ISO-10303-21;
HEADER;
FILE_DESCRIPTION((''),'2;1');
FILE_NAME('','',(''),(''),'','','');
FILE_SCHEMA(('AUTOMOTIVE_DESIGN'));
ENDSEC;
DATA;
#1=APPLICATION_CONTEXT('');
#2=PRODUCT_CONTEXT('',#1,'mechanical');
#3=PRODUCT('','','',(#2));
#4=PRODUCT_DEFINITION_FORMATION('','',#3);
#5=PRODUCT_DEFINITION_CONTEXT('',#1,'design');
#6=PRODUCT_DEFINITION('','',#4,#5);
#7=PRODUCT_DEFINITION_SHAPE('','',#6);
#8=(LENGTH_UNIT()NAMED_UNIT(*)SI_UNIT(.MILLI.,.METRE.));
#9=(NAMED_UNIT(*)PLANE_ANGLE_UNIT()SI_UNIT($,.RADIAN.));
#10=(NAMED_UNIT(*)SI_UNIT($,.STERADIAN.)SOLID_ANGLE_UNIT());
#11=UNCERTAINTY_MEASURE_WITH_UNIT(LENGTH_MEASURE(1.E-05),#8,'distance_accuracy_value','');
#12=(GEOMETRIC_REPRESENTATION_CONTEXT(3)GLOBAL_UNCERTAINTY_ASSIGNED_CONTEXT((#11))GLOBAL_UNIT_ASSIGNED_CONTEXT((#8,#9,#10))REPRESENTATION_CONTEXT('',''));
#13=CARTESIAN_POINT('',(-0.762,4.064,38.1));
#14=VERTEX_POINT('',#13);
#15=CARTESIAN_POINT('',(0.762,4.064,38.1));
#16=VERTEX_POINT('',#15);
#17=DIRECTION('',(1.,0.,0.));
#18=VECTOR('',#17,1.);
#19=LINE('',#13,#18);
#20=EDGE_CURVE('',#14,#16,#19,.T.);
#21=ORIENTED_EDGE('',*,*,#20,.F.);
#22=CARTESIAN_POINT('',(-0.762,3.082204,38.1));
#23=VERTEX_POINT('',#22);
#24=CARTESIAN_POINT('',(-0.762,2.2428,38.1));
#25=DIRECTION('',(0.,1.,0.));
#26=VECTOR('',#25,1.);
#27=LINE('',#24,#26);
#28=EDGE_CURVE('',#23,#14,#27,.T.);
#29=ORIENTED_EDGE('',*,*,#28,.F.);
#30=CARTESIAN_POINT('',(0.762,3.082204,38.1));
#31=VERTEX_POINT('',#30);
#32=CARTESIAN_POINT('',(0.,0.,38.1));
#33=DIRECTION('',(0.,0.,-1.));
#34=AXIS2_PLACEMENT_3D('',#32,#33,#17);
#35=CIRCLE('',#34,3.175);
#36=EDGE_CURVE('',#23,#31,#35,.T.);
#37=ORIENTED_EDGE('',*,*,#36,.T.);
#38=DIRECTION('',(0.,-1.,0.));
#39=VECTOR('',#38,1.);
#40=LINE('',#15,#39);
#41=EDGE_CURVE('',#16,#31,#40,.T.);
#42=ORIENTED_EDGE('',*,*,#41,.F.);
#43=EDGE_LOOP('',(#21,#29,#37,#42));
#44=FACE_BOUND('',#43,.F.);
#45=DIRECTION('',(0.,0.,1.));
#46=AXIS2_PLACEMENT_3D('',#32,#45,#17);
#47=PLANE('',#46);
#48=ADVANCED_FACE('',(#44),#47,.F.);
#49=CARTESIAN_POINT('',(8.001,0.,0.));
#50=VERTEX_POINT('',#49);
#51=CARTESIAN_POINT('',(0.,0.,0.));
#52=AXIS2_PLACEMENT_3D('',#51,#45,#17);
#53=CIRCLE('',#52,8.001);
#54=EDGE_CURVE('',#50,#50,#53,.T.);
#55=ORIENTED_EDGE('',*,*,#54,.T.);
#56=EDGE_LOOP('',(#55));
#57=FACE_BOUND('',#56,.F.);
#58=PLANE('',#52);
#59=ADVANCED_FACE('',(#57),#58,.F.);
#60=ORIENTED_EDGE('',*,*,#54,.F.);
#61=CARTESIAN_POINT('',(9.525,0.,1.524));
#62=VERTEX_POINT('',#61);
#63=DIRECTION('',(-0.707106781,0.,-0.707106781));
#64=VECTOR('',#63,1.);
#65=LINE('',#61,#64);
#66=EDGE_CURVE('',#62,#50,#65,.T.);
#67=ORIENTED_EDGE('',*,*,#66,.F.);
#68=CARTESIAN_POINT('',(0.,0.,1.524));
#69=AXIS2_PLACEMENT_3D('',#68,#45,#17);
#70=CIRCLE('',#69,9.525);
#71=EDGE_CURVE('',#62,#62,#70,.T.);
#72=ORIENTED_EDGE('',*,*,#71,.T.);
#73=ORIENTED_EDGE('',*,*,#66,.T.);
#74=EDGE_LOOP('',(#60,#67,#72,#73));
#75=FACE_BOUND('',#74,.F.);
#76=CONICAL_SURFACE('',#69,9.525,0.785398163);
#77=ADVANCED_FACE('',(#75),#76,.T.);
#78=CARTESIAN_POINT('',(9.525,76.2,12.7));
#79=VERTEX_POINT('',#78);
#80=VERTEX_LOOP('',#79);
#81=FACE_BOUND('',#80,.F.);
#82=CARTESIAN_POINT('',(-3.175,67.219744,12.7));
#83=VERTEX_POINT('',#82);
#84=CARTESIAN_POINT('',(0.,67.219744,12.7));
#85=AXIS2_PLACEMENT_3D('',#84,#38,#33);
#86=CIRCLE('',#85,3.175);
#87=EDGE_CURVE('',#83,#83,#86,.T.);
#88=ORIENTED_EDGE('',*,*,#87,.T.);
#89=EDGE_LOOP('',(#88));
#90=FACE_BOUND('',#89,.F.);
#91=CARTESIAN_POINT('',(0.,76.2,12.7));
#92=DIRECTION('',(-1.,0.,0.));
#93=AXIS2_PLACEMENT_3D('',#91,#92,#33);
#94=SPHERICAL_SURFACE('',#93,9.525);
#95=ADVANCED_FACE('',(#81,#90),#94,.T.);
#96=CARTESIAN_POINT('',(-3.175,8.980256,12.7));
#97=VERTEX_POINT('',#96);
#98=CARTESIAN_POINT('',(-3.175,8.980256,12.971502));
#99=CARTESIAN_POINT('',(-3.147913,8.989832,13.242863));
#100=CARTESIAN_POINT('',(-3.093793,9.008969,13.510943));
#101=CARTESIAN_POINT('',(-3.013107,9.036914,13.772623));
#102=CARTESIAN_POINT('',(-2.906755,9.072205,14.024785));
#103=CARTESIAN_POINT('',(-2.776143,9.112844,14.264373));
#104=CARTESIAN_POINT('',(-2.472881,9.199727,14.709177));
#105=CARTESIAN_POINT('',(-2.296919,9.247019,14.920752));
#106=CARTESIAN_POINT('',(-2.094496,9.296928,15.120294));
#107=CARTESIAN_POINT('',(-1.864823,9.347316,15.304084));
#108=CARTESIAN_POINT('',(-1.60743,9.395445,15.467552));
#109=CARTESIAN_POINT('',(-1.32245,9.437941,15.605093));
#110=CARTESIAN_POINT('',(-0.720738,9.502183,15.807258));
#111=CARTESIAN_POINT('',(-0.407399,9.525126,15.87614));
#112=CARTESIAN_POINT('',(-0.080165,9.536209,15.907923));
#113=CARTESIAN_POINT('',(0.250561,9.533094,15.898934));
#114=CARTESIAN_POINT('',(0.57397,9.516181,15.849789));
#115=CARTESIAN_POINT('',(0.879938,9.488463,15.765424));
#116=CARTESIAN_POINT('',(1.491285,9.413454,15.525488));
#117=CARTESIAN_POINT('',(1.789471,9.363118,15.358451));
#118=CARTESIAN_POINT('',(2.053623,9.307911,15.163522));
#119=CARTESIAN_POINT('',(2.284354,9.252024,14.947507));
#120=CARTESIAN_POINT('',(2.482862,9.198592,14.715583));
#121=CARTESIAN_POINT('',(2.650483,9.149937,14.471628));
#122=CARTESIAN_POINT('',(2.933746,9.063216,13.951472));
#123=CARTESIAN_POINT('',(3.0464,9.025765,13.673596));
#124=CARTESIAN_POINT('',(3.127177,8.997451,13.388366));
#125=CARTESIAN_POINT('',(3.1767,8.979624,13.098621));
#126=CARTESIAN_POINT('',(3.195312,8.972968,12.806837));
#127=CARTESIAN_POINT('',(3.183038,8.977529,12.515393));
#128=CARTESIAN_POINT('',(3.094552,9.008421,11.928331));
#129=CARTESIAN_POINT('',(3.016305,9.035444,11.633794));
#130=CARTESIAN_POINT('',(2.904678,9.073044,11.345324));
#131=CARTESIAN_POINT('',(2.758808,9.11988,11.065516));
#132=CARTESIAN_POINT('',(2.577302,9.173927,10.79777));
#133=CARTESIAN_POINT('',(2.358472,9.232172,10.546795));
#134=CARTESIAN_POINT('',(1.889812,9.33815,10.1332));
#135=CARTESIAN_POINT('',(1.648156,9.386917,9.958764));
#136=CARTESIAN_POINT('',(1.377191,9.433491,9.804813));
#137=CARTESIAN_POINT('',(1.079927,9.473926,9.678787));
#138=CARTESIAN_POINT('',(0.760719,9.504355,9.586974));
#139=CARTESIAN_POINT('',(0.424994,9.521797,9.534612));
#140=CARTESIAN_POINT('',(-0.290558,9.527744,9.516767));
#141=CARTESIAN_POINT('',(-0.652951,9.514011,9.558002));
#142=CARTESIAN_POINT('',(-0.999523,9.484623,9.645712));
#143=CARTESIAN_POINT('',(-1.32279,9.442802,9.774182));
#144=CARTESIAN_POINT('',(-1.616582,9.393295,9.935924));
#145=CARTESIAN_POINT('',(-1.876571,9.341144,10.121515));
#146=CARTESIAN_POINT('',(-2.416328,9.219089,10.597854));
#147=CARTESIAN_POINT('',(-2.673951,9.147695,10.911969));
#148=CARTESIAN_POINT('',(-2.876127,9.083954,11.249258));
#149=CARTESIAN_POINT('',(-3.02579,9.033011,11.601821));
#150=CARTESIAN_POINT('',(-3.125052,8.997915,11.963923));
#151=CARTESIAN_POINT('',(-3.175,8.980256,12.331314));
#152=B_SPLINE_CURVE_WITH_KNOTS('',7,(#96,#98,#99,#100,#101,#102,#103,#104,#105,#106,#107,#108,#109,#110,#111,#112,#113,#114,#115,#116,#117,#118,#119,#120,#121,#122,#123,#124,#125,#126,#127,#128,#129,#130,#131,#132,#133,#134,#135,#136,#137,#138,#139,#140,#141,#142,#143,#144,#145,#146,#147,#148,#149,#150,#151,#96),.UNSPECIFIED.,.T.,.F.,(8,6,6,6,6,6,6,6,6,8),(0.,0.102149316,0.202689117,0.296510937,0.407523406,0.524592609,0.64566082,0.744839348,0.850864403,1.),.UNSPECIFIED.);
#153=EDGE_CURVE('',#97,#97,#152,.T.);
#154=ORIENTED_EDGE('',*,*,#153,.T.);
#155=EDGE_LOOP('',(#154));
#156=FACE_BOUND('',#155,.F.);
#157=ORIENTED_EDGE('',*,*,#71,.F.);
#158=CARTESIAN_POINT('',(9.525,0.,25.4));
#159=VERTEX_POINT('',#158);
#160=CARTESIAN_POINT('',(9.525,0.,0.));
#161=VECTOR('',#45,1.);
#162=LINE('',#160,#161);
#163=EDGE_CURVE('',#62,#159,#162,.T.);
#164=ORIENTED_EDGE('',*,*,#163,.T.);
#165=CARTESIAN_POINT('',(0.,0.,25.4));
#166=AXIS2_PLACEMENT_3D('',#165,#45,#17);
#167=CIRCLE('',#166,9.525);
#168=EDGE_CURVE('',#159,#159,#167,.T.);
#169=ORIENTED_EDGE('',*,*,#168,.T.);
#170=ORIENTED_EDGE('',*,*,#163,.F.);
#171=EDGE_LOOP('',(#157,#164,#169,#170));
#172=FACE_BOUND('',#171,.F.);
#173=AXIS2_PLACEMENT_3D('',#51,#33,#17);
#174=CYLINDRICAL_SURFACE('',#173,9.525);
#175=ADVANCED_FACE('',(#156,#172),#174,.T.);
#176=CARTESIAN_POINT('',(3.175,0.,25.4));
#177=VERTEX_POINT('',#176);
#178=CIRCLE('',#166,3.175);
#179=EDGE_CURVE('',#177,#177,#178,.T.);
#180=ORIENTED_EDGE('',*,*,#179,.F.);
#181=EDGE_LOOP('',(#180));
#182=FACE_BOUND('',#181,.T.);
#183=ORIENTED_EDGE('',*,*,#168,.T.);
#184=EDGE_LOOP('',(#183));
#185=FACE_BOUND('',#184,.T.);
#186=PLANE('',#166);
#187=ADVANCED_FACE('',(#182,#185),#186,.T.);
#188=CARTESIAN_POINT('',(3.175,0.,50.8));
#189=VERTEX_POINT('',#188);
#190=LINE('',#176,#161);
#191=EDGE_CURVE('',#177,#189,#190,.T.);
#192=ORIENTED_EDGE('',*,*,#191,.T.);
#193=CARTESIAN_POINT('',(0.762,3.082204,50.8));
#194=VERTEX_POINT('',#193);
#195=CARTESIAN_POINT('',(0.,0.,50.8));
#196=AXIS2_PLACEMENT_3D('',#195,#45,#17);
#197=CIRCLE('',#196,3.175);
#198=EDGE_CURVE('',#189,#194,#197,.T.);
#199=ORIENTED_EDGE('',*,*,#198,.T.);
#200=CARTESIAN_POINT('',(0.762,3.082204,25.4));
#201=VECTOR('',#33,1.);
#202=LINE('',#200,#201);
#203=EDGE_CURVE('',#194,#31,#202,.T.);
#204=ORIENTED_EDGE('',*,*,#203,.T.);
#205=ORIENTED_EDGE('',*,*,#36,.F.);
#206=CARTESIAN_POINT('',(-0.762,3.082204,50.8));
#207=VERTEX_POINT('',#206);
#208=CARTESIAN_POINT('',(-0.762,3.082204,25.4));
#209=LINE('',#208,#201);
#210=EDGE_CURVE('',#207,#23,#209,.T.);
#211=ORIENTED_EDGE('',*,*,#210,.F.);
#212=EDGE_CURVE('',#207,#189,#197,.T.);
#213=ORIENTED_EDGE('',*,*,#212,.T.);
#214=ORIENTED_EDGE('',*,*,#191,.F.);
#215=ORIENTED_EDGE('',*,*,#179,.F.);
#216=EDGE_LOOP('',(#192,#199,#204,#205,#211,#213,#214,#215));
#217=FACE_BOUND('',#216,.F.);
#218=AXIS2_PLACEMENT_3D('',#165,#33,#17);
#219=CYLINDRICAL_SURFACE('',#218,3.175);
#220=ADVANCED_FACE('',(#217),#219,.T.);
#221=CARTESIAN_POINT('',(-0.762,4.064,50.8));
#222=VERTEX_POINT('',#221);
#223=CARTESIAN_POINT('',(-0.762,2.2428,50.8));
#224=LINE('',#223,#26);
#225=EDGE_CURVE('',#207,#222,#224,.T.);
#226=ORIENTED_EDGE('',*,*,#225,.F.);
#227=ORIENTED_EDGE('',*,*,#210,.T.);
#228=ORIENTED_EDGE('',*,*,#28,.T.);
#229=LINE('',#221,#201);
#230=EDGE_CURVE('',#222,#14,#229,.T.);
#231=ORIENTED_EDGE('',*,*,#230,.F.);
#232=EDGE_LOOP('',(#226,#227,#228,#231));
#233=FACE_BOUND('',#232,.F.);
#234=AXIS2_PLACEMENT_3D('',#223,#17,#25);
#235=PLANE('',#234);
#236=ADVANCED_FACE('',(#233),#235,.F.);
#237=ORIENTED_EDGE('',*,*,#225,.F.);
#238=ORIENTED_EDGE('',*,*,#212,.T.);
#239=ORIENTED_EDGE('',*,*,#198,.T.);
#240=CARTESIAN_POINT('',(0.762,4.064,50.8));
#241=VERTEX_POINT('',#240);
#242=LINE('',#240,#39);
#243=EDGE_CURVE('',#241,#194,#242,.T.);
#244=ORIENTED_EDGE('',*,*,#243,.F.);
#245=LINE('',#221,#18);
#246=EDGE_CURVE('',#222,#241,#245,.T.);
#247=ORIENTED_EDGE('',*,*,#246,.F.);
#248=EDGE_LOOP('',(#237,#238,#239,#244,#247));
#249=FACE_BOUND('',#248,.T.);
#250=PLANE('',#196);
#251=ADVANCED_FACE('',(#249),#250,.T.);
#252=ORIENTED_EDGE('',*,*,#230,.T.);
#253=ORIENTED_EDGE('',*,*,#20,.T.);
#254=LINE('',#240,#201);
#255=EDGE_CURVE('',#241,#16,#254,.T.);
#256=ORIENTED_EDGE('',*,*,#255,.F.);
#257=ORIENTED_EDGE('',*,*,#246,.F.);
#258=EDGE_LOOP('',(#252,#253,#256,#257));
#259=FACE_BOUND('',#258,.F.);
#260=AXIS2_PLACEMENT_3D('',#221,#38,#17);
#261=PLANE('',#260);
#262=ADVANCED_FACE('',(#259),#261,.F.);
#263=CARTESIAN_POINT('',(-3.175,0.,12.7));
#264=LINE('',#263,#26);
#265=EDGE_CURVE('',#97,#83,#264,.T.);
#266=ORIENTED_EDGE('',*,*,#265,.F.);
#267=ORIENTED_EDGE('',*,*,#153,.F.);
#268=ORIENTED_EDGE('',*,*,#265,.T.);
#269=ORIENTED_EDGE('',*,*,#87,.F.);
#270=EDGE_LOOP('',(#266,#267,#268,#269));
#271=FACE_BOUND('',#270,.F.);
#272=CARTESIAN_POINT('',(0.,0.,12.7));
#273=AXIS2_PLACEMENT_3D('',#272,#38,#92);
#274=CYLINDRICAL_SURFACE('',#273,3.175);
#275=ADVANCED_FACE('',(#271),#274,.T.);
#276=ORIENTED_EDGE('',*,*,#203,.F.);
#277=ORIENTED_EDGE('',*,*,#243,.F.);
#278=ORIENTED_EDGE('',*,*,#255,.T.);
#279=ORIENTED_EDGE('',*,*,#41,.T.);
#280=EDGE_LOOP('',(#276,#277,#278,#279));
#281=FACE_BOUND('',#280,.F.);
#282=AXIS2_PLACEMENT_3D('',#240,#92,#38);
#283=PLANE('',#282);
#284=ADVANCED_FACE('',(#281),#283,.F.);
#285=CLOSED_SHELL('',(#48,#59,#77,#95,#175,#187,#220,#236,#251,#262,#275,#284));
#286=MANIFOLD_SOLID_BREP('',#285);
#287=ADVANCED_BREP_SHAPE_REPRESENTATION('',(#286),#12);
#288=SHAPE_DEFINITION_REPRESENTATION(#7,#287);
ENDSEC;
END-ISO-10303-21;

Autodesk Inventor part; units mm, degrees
ref_plane "YZ Plane" through (0, 0, 0) normal (1, 0, 0) x (0, 1, 0)
ref_plane "XZ Plane" through (0, 0, 0) normal (0, 1, 0) x (-1, 0, 0)
ref_plane "XY Plane" through (0, 0, 0) normal (0, 0, 1) x (1, 0, 0)
sketch "Sketch1" plane through (0, 0, 0) normal (0, 0, 1) x (1, 0, 0)
  circle A0 centre (0, 0) radius 9.525
  dimension "d0" = 19.05
extrude "Extrusion1" add sketch "Sketch1" along normal blind 25.4
sketch "Sketch2" plane through (0, 0, 25.4) normal (0, 0, 1) x (1, 0, 0)
  circle A0 centre (0, 0) radius 3.175
  dimension "d3" = 6.35
extrude "Extrusion2" add sketch "Sketch2" along normal blind 25.4
sketch "Sketch3" plane through (0, 0, 50.8) normal (0, 0, 1) x (1, 0, 0)
  line L0 (-0.762, 4.064) -> (0.762, 4.064)
  line L1 (0.762, 4.064) -> (0.762, 2.2428)
  line L2 (0.762, 2.2428) -> (-0.762, 2.2428)
  line L3 (-0.762, 2.2428) -> (-0.762, 4.064)
  point P0 (0, 0)
  dimension "d6" = 4.064
  dimension "d7" = 0.762
  dimension "d8" = 1.524
extrude "Extrusion3" add sketch "Sketch3" against normal blind 12.7
sketch "Sketch4" plane through (0, 0, 0) normal (0, 1, 0) x (-1, 0, 0)
  line L0 (-9.525, 0) -> (-9.525, 25.4) projected
  line L1 (-9.525, 25.4) -> (-3.175, 25.4) projected
  line L2 (-3.175, 25.4) -> (-3.175, 50.8) projected
  line L3 (-3.175, 50.8) -> (3.175, 50.8) projected
  line L4 (3.175, 50.8) -> (3.175, 25.4) projected
  line L5 (3.175, 25.4) -> (9.525, 25.4) projected
  line L6 (9.525, 25.4) -> (9.525, 0) projected
  line L7 (9.525, 0) -> (-9.525, 0) projected
  circle A0 centre (0, 12.7) radius 3.175
  point P0 (0, 0)
  dimension "d11" = 6.35
  dimension "d12" = 12.7
  dimension "d13" = 9.525
extrude "Extrusion4" add sketch "Sketch4" along normal blind 76.2 contours A0
sketch "Sketch5" plane through (0, 76.2, 12.7) normal (0, 1, 0) x (1, 0, 0)
  arc A0 (9.525, 0) -> (-9.525, 0) centre (0, 0) ccw
  line L0 (-9.525, 0) -> (9.525, 0)
  line L1 (9.525, 12.7) -> (9.525, -12.7) projected
  point P0 (0, 12.7)
  dimension "d16" = 19.05
revolve "Revolution1" add sketch "Sketch5" angle 360 about axis through (-9.525, 76.2, 12.7) along (1, 0, 0)
chamfer "Chamfer1" distance 1.524 angle 45 1 edges at (-9.525, 0, 0)
properties part number "Handle" material "Stainless Steel"
